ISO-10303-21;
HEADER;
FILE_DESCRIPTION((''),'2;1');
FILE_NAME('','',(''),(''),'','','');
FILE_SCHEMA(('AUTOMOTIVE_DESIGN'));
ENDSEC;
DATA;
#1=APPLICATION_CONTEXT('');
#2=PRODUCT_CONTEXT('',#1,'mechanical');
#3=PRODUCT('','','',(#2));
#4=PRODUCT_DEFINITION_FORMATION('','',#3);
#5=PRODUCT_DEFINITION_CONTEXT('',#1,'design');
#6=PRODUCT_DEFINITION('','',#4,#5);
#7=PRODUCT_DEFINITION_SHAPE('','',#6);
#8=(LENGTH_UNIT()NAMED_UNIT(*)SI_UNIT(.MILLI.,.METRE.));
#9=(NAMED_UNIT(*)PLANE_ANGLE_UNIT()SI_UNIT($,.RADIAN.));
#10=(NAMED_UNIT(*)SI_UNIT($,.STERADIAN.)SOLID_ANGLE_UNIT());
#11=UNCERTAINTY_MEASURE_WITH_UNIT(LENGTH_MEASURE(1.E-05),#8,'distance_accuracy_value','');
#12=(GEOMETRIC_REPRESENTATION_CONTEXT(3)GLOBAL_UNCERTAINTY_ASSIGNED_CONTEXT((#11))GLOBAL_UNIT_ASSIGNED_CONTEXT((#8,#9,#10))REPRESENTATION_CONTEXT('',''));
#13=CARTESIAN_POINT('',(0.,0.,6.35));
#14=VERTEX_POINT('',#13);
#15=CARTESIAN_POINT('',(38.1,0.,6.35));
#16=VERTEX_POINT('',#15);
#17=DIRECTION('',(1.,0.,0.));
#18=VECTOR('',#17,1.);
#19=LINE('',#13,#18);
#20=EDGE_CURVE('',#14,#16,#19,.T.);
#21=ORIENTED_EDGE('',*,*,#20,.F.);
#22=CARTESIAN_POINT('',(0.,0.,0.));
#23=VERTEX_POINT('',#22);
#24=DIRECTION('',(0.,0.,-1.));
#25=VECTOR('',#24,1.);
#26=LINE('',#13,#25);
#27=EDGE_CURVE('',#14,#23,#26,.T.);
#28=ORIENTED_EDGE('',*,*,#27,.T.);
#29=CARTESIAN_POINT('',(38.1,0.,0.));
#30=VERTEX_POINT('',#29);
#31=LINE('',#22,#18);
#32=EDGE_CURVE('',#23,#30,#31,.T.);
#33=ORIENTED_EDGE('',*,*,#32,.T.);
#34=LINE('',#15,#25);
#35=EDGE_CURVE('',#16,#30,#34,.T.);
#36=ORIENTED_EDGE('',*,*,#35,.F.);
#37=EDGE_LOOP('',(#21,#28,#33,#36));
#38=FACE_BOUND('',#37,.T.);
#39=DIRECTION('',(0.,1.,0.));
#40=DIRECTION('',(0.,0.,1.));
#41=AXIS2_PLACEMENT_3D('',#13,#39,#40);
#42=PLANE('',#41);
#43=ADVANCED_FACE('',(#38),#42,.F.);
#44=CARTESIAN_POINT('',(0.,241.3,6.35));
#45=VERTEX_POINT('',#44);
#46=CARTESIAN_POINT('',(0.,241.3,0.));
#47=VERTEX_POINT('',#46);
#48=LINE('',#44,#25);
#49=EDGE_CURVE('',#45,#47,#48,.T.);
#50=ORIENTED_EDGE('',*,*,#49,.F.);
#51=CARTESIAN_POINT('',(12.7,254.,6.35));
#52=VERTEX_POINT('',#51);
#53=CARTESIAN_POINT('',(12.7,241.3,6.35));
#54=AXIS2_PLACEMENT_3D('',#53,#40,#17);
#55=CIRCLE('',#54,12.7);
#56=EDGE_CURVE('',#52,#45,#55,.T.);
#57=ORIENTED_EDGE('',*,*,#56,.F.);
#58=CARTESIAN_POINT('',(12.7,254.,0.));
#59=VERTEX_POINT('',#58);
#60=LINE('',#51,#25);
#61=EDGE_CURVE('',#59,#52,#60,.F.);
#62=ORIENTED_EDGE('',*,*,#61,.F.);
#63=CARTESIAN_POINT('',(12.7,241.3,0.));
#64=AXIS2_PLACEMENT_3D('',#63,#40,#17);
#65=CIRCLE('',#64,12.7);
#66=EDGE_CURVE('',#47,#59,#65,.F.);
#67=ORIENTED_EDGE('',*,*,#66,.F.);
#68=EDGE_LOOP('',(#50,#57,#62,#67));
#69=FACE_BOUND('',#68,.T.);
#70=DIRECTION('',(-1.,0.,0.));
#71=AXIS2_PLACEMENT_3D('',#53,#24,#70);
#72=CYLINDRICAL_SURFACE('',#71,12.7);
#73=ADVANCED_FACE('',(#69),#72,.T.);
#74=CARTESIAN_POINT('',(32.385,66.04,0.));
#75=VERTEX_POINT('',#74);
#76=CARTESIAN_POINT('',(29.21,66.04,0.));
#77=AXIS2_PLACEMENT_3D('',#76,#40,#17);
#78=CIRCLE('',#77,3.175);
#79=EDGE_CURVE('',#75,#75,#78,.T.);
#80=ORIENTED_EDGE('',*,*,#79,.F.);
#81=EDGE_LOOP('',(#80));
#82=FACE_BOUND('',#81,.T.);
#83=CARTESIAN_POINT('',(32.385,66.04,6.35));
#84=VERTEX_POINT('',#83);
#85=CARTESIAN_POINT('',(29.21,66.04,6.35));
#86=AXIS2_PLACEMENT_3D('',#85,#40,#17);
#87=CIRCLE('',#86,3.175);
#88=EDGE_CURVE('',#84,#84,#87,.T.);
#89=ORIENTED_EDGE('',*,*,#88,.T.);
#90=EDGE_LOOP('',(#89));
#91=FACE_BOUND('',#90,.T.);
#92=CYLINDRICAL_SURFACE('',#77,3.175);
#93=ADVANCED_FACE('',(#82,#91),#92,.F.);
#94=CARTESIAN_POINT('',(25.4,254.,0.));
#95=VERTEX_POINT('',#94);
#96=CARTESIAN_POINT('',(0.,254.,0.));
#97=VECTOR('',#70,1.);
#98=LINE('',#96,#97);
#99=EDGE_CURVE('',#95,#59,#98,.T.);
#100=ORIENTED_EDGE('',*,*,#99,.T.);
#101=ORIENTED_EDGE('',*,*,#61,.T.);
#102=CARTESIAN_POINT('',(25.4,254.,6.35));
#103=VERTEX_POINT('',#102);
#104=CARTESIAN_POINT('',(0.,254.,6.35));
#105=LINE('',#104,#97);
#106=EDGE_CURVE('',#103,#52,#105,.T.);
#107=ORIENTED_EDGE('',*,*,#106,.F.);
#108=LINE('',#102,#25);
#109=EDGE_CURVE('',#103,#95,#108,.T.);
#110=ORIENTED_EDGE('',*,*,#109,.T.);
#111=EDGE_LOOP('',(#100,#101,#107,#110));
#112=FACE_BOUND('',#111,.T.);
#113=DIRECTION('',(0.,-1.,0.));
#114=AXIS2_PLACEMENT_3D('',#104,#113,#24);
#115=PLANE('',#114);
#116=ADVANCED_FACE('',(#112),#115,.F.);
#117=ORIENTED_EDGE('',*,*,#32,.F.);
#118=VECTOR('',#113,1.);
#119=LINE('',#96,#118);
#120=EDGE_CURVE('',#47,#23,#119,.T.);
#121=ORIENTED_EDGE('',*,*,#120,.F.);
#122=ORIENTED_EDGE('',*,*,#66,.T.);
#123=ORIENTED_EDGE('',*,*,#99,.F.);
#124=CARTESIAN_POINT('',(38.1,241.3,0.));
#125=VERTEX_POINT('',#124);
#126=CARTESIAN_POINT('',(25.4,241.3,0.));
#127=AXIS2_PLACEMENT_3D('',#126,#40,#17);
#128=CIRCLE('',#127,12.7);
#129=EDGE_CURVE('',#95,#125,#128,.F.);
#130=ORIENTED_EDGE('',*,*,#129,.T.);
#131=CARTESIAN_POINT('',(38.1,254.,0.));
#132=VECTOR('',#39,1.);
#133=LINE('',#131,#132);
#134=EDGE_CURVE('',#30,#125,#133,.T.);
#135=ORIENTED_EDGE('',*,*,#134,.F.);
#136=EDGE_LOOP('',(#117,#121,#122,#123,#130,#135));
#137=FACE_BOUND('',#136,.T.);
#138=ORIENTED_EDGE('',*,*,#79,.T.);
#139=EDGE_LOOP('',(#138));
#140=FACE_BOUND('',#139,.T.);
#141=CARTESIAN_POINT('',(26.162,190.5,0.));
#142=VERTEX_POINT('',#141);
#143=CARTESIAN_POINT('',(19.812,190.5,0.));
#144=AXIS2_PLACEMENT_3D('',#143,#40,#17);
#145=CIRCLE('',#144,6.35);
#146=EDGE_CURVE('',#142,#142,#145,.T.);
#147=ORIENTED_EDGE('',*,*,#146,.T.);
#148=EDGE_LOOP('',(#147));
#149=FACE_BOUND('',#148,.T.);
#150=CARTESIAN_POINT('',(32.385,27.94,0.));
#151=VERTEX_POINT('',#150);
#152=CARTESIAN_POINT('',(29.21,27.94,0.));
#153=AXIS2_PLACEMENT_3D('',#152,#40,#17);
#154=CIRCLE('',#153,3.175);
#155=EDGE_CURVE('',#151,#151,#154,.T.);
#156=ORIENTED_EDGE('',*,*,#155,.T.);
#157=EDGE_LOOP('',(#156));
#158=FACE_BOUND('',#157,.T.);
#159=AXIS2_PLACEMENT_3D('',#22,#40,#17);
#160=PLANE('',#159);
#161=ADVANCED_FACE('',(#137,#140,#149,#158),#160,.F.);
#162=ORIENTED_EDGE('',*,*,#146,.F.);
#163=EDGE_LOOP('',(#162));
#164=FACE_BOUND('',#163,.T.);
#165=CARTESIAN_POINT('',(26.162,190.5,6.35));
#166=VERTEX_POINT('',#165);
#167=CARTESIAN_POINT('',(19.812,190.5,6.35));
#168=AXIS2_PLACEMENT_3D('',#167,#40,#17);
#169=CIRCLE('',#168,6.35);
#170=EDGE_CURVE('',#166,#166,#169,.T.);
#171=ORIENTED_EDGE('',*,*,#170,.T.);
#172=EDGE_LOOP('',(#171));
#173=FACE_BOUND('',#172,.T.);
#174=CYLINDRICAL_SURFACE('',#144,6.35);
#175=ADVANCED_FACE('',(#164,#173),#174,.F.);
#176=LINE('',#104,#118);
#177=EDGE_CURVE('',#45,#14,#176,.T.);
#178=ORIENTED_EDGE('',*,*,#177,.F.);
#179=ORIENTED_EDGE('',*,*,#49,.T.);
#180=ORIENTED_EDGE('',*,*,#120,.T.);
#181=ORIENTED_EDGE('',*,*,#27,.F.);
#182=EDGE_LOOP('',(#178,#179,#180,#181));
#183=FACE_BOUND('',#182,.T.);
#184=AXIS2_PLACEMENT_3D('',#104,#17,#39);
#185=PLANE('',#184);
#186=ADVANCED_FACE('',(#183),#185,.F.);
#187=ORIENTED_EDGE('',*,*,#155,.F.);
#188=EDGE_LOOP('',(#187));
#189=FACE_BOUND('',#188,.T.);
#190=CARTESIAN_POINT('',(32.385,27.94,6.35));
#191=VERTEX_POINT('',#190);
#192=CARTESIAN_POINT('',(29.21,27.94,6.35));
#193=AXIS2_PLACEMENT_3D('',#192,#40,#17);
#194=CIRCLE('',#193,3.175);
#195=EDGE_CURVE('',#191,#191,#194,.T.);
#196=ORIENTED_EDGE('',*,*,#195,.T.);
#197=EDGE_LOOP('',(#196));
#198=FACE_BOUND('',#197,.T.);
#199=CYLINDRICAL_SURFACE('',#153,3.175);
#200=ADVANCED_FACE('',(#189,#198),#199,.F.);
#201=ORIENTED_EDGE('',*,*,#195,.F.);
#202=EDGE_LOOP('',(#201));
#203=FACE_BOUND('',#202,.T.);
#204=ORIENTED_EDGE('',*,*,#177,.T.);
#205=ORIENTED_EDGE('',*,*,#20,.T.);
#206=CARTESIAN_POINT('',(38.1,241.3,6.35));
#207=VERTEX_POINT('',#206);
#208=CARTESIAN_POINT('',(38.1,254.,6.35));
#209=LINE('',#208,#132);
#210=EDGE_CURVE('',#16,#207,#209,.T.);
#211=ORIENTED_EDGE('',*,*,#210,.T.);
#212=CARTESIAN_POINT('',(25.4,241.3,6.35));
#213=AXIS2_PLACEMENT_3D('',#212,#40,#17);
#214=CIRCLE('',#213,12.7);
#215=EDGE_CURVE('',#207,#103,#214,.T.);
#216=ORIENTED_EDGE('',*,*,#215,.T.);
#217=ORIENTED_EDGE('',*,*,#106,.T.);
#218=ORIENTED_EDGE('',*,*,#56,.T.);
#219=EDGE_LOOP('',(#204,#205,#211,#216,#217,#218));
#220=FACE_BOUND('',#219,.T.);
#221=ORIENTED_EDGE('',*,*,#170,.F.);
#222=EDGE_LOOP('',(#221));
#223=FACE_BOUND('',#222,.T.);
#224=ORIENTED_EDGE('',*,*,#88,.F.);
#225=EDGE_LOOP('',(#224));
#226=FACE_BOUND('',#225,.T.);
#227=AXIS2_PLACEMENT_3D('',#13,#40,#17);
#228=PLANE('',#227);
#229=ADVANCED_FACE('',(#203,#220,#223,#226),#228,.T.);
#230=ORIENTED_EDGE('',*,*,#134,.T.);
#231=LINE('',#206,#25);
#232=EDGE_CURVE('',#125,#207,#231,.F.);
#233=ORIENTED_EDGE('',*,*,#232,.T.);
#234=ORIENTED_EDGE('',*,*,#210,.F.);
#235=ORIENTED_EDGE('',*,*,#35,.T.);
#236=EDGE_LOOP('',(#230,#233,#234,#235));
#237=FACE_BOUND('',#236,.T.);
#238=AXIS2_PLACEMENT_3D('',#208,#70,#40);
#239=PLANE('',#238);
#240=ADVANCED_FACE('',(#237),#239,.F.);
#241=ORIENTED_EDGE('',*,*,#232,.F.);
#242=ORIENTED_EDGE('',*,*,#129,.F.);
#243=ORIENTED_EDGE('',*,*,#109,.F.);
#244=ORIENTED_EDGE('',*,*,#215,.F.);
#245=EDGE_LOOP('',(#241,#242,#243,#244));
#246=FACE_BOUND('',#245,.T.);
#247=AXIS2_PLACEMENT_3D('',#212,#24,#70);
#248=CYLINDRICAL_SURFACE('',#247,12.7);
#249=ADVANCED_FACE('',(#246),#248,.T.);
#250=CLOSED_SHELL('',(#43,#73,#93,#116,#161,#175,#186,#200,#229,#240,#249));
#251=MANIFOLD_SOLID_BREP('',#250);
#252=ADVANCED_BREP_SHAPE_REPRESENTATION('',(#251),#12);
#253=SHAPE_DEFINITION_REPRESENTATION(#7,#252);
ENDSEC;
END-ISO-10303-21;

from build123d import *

# Parameters (mm, degrees)
SKETCH2_W           = 38.1
SKETCH2_H           = 254
BOSS_EXTRUDE1_DEPTH = 6.35
SIDE_EDGE_R         = 12.7
SIDE_EDGE_2_R       = 12.7
SKETCH4_R           = 3.175
SKETCH4_R_2         = 6.35
CUT_EXTRUDE1_DEPTH  = 257.920089717


with BuildPart() as part:
    # Sketch2 → Boss-Extrude1 (new body)
    with BuildSketch(Plane.XY):
        with Locations((19.05, 127)):
            Rectangle(SKETCH2_W, SKETCH2_H)
    extrude(amount=BOSS_EXTRUDE1_DEPTH)

    # Side Edge
    side_edge_edges = [part.edges().sort_by_distance(p)[0] for p in [
        (38.1, 254, 3.175),
    ]]
    fillet(side_edge_edges, radius=SIDE_EDGE_R)

    # Side Edge 2
    side_edge_2_edges = [part.edges().sort_by_distance(p)[0] for p in [
        (0, 254, 3.175),
    ]]
    fillet(side_edge_2_edges, radius=SIDE_EDGE_2_R)

    # Sketch4 → Cut-Extrude1 (cut, through all)
    with BuildSketch(Plane.XY.offset(6.35)):
        with Locations((29.21, 27.94)):
            Circle(SKETCH4_R)
        with Locations((29.21, 66.04)):
            Circle(SKETCH4_R)
        with Locations((19.812, 190.5)):
            Circle(SKETCH4_R_2)
    extrude(amount=-CUT_EXTRUDE1_DEPTH, mode=Mode.SUBTRACT)


solid = part.part
